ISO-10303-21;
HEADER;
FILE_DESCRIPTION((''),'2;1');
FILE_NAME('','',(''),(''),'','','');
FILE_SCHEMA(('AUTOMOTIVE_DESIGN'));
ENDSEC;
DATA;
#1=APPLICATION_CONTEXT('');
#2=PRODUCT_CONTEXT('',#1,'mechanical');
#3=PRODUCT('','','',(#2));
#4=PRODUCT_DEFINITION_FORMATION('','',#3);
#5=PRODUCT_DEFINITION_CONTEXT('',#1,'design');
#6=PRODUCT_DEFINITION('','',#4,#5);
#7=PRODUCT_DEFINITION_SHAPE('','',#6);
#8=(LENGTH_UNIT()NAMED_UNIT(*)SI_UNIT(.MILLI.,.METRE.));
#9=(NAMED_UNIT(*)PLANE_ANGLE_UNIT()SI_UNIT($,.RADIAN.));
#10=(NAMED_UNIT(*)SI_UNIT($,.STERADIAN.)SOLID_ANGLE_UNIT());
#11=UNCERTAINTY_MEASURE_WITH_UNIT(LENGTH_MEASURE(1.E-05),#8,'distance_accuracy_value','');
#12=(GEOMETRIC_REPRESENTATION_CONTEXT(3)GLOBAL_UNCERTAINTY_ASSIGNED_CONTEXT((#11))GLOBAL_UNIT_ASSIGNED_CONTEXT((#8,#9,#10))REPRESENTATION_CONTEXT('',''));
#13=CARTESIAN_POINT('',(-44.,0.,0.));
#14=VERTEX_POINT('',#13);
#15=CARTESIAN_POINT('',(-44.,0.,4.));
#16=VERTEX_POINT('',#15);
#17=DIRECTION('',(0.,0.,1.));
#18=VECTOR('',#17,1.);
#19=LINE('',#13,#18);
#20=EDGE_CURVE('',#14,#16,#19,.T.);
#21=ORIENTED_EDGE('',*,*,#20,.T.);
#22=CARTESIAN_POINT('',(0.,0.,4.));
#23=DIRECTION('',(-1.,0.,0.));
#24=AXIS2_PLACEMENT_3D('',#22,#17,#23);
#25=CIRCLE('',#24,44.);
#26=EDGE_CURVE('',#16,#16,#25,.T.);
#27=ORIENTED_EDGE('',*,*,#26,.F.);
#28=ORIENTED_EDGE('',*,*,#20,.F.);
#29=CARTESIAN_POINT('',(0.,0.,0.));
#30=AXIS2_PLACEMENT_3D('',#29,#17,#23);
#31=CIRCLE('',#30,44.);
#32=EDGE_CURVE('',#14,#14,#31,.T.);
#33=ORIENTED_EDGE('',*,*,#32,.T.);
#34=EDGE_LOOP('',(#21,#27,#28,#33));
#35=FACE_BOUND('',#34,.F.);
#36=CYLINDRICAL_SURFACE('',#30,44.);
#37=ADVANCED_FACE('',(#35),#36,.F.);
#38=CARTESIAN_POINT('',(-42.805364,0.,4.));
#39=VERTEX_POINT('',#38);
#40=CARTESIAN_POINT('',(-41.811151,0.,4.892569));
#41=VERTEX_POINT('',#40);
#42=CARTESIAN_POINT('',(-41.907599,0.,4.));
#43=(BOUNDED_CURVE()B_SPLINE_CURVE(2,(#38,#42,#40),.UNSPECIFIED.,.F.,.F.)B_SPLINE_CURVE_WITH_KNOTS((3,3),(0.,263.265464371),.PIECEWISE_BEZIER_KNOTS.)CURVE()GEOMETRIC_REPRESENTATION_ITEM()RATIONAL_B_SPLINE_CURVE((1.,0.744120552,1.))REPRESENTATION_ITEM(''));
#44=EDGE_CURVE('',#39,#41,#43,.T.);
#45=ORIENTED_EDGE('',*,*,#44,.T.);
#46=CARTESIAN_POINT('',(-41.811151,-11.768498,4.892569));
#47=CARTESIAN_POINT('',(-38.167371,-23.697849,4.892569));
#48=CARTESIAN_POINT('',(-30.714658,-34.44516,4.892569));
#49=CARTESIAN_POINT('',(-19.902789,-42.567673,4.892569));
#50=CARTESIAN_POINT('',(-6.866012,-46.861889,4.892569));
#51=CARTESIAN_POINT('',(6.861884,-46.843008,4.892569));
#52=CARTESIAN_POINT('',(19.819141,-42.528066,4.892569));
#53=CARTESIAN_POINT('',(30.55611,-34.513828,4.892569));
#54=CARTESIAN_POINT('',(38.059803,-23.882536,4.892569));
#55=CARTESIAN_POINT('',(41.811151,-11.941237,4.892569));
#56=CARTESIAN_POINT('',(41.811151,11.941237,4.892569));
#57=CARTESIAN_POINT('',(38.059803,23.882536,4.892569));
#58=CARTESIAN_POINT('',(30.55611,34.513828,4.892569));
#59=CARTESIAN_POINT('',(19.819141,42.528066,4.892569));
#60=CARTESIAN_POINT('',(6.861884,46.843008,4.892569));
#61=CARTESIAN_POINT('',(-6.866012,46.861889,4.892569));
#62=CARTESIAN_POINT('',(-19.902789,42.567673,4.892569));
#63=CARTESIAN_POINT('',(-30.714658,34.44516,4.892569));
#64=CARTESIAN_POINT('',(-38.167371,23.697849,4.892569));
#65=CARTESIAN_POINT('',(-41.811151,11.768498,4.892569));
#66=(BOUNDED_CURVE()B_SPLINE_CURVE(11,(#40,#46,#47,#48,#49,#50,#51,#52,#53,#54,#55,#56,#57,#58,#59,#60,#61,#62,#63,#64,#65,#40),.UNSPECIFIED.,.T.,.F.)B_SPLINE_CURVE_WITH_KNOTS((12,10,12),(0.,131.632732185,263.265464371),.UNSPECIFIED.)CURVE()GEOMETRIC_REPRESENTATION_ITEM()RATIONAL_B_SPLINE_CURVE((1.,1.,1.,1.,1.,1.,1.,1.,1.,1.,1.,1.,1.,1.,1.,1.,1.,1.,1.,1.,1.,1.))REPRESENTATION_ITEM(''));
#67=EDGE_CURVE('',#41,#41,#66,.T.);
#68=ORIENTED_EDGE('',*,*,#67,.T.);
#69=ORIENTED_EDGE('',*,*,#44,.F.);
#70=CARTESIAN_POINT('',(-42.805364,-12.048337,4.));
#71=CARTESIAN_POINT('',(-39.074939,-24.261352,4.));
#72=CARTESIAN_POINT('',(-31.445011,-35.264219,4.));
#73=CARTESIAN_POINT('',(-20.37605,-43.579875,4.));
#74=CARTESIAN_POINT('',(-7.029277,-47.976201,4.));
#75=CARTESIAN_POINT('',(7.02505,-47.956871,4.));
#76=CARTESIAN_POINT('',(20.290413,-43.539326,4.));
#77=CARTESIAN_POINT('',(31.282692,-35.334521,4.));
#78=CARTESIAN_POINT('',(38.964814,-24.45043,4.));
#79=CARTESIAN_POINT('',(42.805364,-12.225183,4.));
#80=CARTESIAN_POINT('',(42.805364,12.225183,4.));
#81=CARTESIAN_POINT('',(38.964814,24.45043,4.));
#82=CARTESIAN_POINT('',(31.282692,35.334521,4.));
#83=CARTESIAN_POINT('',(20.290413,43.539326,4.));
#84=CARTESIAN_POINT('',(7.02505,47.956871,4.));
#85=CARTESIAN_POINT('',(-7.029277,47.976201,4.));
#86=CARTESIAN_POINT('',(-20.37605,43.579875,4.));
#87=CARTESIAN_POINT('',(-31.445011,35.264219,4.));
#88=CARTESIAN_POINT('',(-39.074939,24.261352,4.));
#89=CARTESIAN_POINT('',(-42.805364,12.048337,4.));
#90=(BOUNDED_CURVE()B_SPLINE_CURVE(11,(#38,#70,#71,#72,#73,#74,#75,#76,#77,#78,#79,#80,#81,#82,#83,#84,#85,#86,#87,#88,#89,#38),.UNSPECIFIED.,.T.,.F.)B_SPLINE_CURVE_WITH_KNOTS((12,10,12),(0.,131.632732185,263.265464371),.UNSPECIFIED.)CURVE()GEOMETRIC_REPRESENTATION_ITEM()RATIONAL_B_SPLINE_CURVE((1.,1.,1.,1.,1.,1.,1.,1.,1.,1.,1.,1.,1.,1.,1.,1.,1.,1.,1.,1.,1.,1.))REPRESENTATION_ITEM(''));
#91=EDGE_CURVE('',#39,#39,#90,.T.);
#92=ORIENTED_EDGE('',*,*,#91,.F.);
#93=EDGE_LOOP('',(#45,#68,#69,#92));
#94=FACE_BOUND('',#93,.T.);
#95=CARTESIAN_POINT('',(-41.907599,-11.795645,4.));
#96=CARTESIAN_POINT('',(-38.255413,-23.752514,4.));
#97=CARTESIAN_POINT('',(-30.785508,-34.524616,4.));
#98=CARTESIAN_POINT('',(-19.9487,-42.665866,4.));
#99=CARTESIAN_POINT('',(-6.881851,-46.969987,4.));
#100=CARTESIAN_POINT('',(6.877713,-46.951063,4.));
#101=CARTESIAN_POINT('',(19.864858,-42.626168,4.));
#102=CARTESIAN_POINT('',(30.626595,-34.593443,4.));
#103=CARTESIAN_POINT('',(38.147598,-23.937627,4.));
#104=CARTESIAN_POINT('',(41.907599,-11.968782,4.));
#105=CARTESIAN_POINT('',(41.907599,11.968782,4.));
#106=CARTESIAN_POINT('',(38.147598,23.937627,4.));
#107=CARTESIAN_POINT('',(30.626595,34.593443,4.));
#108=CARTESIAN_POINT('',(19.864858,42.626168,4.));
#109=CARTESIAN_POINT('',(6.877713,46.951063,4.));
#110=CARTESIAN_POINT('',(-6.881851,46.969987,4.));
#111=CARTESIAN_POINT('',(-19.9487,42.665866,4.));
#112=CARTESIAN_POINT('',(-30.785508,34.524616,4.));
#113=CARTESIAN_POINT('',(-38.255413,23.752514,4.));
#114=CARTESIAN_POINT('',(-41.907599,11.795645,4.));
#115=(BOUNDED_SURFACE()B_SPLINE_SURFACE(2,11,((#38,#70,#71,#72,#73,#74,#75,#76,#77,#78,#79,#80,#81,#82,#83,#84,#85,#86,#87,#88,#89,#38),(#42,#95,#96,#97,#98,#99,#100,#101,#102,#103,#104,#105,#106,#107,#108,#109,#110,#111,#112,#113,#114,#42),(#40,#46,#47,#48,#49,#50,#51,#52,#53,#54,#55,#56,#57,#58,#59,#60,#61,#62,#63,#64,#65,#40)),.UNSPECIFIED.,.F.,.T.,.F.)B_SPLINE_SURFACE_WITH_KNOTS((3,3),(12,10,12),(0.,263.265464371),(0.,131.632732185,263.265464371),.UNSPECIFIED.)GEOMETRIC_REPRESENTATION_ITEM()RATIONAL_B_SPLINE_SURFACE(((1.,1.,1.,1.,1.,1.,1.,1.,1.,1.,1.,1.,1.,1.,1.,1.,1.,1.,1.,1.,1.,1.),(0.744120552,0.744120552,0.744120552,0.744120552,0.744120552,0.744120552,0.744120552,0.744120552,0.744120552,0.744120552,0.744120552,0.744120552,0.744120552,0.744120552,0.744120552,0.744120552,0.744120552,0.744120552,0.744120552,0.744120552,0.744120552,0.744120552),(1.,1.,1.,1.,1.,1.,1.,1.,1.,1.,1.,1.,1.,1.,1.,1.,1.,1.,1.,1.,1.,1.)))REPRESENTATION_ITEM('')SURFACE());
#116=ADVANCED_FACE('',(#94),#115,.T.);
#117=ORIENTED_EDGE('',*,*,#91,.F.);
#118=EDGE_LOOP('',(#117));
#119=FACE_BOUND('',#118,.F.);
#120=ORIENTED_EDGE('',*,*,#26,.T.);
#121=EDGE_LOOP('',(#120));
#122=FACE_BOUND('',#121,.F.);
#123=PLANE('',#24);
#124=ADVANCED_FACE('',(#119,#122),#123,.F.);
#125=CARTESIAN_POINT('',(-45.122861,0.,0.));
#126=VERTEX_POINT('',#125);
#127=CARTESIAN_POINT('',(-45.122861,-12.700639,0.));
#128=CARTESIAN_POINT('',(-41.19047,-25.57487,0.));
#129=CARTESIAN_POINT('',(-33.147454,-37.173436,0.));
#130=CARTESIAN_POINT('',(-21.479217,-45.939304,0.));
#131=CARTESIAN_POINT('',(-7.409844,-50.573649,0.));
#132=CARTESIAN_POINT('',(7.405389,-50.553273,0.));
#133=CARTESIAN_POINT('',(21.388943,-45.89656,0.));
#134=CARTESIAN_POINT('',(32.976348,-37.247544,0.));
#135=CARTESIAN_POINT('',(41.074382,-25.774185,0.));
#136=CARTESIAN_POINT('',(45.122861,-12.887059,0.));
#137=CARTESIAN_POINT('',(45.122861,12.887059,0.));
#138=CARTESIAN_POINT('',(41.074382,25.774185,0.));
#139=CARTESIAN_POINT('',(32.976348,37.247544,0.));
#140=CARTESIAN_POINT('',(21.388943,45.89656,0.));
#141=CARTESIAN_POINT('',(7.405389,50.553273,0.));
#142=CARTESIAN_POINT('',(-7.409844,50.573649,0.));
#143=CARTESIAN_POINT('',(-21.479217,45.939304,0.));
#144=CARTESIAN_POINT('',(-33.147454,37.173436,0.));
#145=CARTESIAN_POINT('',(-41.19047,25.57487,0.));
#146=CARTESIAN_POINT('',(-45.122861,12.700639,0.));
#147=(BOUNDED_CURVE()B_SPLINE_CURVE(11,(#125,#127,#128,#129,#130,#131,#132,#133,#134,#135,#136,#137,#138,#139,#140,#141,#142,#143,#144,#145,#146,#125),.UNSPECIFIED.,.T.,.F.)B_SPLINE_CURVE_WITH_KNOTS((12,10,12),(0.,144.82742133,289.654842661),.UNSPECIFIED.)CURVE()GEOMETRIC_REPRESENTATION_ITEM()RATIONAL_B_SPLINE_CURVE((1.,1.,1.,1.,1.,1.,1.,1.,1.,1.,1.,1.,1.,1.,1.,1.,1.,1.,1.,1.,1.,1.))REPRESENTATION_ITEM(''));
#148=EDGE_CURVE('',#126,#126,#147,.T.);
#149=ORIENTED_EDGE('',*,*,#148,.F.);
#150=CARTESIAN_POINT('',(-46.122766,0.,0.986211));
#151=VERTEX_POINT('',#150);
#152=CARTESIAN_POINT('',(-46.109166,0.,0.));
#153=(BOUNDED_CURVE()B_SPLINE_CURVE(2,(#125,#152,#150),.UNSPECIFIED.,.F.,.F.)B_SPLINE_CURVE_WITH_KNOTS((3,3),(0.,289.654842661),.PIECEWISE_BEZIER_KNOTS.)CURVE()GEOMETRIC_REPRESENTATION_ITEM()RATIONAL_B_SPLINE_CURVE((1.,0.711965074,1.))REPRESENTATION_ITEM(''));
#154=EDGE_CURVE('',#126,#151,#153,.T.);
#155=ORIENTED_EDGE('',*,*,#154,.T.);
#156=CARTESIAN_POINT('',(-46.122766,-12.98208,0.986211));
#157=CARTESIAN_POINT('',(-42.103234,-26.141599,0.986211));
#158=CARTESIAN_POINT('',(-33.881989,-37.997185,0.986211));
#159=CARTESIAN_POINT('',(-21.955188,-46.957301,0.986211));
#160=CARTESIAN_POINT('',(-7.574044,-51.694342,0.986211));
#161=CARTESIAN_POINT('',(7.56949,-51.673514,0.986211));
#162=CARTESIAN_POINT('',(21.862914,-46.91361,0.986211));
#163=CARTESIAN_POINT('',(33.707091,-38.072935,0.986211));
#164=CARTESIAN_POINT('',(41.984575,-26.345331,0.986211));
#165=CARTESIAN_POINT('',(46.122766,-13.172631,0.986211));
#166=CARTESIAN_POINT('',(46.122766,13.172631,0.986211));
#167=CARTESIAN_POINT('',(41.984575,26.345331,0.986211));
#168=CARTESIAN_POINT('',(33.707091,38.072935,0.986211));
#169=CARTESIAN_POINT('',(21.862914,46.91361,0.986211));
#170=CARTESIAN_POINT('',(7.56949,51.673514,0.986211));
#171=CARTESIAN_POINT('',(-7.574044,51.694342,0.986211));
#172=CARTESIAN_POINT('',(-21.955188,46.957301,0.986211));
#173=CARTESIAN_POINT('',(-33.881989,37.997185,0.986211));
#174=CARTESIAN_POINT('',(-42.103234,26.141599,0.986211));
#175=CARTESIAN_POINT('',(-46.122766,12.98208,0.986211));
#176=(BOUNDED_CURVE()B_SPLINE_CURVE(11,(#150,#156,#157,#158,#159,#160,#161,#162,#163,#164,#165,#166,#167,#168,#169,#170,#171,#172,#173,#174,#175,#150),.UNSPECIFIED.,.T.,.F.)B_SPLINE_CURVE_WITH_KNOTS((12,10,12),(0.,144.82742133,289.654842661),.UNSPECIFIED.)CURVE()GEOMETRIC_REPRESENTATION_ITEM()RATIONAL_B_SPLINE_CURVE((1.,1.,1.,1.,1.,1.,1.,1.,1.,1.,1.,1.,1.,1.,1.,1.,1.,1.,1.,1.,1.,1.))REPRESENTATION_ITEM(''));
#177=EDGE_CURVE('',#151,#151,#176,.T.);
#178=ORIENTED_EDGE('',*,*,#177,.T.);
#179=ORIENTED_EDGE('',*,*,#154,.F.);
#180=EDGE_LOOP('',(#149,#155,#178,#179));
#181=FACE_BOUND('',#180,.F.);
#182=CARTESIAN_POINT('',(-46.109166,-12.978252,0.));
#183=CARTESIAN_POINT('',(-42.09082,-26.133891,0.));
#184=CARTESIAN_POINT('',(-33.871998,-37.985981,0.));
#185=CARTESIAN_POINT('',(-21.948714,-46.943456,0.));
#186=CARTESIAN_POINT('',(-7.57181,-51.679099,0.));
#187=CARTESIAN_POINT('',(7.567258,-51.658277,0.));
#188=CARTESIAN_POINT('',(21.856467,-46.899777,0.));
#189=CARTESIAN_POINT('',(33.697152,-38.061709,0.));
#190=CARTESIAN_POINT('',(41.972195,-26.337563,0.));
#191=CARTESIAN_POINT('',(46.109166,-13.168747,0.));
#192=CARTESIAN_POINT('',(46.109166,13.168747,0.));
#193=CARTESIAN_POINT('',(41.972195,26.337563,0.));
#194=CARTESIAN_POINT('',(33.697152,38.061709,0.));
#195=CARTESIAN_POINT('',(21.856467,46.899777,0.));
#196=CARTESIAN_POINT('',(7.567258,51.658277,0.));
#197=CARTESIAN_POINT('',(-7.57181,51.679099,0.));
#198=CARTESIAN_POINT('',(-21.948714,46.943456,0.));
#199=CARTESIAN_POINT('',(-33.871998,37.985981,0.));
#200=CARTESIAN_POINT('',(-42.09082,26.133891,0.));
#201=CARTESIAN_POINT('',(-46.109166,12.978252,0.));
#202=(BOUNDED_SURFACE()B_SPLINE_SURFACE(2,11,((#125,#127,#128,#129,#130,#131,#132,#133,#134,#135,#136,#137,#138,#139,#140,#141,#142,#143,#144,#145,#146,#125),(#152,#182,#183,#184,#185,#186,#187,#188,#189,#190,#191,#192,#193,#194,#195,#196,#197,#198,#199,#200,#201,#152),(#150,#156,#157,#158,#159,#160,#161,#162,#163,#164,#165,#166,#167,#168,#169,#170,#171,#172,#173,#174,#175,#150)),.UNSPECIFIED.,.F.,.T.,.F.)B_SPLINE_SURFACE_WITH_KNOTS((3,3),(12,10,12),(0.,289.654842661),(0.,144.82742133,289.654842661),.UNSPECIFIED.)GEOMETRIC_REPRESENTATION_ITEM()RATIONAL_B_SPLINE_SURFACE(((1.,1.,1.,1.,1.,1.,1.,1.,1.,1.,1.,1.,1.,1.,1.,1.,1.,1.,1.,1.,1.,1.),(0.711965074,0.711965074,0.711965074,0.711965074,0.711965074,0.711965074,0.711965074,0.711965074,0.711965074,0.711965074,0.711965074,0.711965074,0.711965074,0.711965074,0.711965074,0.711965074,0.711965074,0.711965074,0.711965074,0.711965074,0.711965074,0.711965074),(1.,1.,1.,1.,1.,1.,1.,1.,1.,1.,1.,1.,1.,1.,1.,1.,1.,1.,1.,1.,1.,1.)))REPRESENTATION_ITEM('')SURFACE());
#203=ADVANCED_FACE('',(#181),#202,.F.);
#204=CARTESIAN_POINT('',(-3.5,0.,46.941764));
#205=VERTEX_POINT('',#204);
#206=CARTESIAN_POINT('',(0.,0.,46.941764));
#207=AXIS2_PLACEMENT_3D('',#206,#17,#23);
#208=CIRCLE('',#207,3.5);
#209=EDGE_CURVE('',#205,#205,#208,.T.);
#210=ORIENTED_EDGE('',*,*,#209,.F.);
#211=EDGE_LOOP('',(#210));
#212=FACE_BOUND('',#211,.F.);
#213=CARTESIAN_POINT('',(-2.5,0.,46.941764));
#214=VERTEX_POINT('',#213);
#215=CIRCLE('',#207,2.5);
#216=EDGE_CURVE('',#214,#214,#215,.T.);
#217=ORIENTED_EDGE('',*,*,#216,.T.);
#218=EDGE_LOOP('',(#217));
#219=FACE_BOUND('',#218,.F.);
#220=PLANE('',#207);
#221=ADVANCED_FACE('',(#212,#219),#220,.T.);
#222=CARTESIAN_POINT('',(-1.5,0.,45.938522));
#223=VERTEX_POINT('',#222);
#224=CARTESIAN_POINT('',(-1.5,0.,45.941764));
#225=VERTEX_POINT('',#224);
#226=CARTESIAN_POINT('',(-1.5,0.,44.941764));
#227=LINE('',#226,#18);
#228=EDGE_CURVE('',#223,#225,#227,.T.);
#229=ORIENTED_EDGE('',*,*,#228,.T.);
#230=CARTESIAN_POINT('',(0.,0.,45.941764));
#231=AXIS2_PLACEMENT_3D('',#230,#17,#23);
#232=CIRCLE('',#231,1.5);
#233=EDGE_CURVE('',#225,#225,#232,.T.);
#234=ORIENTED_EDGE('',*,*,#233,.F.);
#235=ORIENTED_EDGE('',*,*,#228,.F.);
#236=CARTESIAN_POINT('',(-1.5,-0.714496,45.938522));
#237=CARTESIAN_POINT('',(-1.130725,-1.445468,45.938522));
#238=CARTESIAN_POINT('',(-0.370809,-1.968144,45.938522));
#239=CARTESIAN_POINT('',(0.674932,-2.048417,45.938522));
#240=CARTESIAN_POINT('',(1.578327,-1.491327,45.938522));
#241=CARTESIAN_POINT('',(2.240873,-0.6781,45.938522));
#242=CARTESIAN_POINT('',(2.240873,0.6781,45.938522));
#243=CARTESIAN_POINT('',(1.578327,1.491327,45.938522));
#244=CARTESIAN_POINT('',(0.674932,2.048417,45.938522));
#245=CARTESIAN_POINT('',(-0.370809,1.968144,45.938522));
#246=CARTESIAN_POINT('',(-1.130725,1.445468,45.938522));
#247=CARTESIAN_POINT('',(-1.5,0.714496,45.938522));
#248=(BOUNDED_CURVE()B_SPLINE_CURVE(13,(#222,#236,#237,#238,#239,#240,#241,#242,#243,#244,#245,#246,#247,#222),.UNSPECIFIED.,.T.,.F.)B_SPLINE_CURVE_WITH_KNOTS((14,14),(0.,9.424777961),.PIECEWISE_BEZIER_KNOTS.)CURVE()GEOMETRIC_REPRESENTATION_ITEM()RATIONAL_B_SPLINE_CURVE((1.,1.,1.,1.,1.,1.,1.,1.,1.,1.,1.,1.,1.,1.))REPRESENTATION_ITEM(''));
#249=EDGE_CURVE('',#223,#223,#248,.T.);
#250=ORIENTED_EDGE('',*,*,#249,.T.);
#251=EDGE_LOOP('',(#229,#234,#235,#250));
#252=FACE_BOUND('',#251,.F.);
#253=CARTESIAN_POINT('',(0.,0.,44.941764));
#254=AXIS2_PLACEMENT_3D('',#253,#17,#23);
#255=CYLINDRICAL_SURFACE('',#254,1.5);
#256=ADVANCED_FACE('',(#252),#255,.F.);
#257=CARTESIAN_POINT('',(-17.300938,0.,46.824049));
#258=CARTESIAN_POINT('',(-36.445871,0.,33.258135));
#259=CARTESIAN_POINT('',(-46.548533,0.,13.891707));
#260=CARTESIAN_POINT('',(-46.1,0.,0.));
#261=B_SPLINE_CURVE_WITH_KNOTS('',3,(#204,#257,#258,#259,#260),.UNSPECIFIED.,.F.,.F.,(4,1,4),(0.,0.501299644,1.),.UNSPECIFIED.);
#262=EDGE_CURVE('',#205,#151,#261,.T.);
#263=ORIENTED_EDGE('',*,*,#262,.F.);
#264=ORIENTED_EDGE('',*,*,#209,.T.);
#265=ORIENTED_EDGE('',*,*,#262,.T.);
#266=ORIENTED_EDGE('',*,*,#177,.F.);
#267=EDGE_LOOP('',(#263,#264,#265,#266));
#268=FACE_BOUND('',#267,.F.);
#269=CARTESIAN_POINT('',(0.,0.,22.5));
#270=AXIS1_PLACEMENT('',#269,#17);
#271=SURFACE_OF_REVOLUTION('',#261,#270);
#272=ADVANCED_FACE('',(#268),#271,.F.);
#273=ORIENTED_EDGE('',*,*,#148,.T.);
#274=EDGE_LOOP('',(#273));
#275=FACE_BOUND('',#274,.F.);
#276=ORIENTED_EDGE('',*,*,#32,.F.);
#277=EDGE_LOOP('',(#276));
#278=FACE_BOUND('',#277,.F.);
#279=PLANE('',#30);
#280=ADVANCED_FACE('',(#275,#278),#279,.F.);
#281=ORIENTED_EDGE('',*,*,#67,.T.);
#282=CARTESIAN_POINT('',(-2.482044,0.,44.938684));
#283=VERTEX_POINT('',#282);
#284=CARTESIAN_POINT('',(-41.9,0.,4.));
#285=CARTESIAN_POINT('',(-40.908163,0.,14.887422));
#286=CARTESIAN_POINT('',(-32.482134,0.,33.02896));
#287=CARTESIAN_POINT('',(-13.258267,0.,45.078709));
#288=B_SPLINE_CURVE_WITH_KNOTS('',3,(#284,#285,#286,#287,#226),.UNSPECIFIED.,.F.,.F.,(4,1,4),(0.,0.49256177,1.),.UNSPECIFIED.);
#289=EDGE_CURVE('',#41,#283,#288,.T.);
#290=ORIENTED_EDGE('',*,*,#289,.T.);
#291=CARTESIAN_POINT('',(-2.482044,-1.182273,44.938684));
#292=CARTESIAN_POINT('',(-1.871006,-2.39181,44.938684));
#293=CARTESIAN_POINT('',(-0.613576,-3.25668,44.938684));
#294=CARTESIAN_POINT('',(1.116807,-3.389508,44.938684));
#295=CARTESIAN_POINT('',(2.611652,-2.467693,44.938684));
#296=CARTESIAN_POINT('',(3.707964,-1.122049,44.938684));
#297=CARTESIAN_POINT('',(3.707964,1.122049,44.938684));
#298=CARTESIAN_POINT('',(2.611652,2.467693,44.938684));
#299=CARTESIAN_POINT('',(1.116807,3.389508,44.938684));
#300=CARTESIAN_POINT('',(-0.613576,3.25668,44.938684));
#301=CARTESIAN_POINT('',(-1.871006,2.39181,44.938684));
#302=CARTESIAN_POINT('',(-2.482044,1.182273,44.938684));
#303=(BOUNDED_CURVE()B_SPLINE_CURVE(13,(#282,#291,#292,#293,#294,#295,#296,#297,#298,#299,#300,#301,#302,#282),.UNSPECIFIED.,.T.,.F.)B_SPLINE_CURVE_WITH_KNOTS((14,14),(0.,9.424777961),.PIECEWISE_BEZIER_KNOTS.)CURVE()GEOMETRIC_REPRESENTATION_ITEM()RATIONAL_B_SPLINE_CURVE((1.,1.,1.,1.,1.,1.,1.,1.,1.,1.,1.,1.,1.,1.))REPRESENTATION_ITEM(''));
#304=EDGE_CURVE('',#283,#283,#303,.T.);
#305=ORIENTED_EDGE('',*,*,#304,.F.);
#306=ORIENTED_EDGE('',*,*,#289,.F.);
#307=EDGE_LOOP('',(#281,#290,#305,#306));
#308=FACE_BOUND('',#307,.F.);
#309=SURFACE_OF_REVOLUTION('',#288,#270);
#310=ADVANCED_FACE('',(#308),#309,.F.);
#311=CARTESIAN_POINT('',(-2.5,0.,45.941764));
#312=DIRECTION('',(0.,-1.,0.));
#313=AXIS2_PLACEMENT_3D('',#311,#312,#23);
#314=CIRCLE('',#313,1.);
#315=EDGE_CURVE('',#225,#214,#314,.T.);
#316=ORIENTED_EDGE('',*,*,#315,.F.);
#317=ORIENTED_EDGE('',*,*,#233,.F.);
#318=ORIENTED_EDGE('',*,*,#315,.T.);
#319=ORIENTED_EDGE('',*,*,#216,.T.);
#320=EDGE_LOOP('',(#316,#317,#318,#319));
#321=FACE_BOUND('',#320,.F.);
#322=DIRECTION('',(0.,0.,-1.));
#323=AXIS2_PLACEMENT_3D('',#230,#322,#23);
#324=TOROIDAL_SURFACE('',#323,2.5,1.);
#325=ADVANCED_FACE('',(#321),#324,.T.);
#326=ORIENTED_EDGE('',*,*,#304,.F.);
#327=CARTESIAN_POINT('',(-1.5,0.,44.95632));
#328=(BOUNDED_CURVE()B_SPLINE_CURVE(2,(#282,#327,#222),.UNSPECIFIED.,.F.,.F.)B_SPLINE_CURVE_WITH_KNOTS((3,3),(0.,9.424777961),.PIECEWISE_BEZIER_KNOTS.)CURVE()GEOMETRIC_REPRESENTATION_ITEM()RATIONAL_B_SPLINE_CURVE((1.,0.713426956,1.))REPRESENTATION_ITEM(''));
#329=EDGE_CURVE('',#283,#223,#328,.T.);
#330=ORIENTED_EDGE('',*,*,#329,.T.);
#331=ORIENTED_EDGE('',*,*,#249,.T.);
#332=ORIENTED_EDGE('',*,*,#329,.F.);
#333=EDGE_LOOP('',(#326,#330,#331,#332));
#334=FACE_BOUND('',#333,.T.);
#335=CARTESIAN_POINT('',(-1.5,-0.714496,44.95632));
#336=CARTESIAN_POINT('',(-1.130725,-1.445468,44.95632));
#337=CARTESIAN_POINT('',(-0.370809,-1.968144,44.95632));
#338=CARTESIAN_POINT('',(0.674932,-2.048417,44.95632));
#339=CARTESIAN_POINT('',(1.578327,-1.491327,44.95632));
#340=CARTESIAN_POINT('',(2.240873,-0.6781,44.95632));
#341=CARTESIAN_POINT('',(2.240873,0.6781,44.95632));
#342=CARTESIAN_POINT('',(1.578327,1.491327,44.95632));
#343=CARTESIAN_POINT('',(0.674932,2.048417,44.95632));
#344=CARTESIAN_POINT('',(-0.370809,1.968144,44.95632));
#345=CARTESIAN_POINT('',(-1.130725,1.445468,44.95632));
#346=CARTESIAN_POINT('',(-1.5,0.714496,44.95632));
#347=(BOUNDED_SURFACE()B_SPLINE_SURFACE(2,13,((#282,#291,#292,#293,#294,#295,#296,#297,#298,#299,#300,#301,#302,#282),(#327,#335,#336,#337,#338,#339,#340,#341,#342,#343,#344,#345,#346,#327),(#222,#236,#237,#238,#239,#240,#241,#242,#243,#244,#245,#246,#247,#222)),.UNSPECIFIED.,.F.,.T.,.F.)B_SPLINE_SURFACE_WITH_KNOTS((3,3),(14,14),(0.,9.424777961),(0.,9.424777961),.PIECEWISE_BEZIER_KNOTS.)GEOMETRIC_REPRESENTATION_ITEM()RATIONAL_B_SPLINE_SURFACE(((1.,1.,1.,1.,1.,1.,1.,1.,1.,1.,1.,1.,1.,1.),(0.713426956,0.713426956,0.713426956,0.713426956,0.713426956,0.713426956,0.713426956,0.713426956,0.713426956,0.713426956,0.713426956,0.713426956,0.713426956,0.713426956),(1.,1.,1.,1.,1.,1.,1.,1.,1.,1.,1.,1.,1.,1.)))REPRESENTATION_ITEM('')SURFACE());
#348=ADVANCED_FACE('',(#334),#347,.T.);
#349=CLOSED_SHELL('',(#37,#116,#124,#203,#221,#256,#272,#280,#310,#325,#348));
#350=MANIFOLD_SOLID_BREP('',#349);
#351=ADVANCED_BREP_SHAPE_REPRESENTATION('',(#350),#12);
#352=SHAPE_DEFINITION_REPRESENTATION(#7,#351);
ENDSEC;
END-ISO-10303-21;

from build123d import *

# Parameters (mm, degrees)
F3_R = 1
F4_R = 1


with BuildPart() as f2:
    # F1 (on Front) → F2 (revolve)
    with BuildSketch(Plane.XZ):
        with BuildLine():
            add(Edge.make_bspline(
                [(-3.5, 46.9417643249), (-17.3009381267, 46.8240493622), (-36.4458711643, 33.258135069), (-46.548532737, 13.8917068096), (-46.1, 0)],
                knots=[0, 0, 0, 0, 0.5012996436, 1, 1, 1, 1], degree=3))
            Line((-46.1, 0), (-44, 0))
            Line((-44, 0), (-44, 4))
            Line((-44, 4), (-41.9, 4))
            add(Edge.make_bspline(
                [(-41.9, 4), (-40.9081628541, 14.8874223873), (-32.4821338058, 33.0289602369), (-13.2582665115, 45.0787089657), (-1.5, 44.9417643249)],
                knots=[0, 0, 0, 0, 0.4925617698, 1, 1, 1, 1], degree=3))
            Line((-1.5, 44.9417643249), (-1.5, 46.9417643249))
            Line((-1.5, 46.9417643249), (-3.5, 46.9417643249))
        make_face()
    revolve(axis=Axis((0, 0, 22.5), (0, 0, 1)))

    # F3
    f3_edges = [f2.edges().sort_by_distance(p)[0] for p in [
        (1.5, 0, 46.941764),
        (1.5, 0, 44.941764),
        (41.9, 0, 4),
    ]]
    fillet(f3_edges, radius=F3_R)

    # F4
    f4_edges = [f2.edges().sort_by_distance(p)[0] for p in [
        (46.1, 0, 0),
    ]]
    fillet(f4_edges, radius=F4_R)


solid = f2.part
